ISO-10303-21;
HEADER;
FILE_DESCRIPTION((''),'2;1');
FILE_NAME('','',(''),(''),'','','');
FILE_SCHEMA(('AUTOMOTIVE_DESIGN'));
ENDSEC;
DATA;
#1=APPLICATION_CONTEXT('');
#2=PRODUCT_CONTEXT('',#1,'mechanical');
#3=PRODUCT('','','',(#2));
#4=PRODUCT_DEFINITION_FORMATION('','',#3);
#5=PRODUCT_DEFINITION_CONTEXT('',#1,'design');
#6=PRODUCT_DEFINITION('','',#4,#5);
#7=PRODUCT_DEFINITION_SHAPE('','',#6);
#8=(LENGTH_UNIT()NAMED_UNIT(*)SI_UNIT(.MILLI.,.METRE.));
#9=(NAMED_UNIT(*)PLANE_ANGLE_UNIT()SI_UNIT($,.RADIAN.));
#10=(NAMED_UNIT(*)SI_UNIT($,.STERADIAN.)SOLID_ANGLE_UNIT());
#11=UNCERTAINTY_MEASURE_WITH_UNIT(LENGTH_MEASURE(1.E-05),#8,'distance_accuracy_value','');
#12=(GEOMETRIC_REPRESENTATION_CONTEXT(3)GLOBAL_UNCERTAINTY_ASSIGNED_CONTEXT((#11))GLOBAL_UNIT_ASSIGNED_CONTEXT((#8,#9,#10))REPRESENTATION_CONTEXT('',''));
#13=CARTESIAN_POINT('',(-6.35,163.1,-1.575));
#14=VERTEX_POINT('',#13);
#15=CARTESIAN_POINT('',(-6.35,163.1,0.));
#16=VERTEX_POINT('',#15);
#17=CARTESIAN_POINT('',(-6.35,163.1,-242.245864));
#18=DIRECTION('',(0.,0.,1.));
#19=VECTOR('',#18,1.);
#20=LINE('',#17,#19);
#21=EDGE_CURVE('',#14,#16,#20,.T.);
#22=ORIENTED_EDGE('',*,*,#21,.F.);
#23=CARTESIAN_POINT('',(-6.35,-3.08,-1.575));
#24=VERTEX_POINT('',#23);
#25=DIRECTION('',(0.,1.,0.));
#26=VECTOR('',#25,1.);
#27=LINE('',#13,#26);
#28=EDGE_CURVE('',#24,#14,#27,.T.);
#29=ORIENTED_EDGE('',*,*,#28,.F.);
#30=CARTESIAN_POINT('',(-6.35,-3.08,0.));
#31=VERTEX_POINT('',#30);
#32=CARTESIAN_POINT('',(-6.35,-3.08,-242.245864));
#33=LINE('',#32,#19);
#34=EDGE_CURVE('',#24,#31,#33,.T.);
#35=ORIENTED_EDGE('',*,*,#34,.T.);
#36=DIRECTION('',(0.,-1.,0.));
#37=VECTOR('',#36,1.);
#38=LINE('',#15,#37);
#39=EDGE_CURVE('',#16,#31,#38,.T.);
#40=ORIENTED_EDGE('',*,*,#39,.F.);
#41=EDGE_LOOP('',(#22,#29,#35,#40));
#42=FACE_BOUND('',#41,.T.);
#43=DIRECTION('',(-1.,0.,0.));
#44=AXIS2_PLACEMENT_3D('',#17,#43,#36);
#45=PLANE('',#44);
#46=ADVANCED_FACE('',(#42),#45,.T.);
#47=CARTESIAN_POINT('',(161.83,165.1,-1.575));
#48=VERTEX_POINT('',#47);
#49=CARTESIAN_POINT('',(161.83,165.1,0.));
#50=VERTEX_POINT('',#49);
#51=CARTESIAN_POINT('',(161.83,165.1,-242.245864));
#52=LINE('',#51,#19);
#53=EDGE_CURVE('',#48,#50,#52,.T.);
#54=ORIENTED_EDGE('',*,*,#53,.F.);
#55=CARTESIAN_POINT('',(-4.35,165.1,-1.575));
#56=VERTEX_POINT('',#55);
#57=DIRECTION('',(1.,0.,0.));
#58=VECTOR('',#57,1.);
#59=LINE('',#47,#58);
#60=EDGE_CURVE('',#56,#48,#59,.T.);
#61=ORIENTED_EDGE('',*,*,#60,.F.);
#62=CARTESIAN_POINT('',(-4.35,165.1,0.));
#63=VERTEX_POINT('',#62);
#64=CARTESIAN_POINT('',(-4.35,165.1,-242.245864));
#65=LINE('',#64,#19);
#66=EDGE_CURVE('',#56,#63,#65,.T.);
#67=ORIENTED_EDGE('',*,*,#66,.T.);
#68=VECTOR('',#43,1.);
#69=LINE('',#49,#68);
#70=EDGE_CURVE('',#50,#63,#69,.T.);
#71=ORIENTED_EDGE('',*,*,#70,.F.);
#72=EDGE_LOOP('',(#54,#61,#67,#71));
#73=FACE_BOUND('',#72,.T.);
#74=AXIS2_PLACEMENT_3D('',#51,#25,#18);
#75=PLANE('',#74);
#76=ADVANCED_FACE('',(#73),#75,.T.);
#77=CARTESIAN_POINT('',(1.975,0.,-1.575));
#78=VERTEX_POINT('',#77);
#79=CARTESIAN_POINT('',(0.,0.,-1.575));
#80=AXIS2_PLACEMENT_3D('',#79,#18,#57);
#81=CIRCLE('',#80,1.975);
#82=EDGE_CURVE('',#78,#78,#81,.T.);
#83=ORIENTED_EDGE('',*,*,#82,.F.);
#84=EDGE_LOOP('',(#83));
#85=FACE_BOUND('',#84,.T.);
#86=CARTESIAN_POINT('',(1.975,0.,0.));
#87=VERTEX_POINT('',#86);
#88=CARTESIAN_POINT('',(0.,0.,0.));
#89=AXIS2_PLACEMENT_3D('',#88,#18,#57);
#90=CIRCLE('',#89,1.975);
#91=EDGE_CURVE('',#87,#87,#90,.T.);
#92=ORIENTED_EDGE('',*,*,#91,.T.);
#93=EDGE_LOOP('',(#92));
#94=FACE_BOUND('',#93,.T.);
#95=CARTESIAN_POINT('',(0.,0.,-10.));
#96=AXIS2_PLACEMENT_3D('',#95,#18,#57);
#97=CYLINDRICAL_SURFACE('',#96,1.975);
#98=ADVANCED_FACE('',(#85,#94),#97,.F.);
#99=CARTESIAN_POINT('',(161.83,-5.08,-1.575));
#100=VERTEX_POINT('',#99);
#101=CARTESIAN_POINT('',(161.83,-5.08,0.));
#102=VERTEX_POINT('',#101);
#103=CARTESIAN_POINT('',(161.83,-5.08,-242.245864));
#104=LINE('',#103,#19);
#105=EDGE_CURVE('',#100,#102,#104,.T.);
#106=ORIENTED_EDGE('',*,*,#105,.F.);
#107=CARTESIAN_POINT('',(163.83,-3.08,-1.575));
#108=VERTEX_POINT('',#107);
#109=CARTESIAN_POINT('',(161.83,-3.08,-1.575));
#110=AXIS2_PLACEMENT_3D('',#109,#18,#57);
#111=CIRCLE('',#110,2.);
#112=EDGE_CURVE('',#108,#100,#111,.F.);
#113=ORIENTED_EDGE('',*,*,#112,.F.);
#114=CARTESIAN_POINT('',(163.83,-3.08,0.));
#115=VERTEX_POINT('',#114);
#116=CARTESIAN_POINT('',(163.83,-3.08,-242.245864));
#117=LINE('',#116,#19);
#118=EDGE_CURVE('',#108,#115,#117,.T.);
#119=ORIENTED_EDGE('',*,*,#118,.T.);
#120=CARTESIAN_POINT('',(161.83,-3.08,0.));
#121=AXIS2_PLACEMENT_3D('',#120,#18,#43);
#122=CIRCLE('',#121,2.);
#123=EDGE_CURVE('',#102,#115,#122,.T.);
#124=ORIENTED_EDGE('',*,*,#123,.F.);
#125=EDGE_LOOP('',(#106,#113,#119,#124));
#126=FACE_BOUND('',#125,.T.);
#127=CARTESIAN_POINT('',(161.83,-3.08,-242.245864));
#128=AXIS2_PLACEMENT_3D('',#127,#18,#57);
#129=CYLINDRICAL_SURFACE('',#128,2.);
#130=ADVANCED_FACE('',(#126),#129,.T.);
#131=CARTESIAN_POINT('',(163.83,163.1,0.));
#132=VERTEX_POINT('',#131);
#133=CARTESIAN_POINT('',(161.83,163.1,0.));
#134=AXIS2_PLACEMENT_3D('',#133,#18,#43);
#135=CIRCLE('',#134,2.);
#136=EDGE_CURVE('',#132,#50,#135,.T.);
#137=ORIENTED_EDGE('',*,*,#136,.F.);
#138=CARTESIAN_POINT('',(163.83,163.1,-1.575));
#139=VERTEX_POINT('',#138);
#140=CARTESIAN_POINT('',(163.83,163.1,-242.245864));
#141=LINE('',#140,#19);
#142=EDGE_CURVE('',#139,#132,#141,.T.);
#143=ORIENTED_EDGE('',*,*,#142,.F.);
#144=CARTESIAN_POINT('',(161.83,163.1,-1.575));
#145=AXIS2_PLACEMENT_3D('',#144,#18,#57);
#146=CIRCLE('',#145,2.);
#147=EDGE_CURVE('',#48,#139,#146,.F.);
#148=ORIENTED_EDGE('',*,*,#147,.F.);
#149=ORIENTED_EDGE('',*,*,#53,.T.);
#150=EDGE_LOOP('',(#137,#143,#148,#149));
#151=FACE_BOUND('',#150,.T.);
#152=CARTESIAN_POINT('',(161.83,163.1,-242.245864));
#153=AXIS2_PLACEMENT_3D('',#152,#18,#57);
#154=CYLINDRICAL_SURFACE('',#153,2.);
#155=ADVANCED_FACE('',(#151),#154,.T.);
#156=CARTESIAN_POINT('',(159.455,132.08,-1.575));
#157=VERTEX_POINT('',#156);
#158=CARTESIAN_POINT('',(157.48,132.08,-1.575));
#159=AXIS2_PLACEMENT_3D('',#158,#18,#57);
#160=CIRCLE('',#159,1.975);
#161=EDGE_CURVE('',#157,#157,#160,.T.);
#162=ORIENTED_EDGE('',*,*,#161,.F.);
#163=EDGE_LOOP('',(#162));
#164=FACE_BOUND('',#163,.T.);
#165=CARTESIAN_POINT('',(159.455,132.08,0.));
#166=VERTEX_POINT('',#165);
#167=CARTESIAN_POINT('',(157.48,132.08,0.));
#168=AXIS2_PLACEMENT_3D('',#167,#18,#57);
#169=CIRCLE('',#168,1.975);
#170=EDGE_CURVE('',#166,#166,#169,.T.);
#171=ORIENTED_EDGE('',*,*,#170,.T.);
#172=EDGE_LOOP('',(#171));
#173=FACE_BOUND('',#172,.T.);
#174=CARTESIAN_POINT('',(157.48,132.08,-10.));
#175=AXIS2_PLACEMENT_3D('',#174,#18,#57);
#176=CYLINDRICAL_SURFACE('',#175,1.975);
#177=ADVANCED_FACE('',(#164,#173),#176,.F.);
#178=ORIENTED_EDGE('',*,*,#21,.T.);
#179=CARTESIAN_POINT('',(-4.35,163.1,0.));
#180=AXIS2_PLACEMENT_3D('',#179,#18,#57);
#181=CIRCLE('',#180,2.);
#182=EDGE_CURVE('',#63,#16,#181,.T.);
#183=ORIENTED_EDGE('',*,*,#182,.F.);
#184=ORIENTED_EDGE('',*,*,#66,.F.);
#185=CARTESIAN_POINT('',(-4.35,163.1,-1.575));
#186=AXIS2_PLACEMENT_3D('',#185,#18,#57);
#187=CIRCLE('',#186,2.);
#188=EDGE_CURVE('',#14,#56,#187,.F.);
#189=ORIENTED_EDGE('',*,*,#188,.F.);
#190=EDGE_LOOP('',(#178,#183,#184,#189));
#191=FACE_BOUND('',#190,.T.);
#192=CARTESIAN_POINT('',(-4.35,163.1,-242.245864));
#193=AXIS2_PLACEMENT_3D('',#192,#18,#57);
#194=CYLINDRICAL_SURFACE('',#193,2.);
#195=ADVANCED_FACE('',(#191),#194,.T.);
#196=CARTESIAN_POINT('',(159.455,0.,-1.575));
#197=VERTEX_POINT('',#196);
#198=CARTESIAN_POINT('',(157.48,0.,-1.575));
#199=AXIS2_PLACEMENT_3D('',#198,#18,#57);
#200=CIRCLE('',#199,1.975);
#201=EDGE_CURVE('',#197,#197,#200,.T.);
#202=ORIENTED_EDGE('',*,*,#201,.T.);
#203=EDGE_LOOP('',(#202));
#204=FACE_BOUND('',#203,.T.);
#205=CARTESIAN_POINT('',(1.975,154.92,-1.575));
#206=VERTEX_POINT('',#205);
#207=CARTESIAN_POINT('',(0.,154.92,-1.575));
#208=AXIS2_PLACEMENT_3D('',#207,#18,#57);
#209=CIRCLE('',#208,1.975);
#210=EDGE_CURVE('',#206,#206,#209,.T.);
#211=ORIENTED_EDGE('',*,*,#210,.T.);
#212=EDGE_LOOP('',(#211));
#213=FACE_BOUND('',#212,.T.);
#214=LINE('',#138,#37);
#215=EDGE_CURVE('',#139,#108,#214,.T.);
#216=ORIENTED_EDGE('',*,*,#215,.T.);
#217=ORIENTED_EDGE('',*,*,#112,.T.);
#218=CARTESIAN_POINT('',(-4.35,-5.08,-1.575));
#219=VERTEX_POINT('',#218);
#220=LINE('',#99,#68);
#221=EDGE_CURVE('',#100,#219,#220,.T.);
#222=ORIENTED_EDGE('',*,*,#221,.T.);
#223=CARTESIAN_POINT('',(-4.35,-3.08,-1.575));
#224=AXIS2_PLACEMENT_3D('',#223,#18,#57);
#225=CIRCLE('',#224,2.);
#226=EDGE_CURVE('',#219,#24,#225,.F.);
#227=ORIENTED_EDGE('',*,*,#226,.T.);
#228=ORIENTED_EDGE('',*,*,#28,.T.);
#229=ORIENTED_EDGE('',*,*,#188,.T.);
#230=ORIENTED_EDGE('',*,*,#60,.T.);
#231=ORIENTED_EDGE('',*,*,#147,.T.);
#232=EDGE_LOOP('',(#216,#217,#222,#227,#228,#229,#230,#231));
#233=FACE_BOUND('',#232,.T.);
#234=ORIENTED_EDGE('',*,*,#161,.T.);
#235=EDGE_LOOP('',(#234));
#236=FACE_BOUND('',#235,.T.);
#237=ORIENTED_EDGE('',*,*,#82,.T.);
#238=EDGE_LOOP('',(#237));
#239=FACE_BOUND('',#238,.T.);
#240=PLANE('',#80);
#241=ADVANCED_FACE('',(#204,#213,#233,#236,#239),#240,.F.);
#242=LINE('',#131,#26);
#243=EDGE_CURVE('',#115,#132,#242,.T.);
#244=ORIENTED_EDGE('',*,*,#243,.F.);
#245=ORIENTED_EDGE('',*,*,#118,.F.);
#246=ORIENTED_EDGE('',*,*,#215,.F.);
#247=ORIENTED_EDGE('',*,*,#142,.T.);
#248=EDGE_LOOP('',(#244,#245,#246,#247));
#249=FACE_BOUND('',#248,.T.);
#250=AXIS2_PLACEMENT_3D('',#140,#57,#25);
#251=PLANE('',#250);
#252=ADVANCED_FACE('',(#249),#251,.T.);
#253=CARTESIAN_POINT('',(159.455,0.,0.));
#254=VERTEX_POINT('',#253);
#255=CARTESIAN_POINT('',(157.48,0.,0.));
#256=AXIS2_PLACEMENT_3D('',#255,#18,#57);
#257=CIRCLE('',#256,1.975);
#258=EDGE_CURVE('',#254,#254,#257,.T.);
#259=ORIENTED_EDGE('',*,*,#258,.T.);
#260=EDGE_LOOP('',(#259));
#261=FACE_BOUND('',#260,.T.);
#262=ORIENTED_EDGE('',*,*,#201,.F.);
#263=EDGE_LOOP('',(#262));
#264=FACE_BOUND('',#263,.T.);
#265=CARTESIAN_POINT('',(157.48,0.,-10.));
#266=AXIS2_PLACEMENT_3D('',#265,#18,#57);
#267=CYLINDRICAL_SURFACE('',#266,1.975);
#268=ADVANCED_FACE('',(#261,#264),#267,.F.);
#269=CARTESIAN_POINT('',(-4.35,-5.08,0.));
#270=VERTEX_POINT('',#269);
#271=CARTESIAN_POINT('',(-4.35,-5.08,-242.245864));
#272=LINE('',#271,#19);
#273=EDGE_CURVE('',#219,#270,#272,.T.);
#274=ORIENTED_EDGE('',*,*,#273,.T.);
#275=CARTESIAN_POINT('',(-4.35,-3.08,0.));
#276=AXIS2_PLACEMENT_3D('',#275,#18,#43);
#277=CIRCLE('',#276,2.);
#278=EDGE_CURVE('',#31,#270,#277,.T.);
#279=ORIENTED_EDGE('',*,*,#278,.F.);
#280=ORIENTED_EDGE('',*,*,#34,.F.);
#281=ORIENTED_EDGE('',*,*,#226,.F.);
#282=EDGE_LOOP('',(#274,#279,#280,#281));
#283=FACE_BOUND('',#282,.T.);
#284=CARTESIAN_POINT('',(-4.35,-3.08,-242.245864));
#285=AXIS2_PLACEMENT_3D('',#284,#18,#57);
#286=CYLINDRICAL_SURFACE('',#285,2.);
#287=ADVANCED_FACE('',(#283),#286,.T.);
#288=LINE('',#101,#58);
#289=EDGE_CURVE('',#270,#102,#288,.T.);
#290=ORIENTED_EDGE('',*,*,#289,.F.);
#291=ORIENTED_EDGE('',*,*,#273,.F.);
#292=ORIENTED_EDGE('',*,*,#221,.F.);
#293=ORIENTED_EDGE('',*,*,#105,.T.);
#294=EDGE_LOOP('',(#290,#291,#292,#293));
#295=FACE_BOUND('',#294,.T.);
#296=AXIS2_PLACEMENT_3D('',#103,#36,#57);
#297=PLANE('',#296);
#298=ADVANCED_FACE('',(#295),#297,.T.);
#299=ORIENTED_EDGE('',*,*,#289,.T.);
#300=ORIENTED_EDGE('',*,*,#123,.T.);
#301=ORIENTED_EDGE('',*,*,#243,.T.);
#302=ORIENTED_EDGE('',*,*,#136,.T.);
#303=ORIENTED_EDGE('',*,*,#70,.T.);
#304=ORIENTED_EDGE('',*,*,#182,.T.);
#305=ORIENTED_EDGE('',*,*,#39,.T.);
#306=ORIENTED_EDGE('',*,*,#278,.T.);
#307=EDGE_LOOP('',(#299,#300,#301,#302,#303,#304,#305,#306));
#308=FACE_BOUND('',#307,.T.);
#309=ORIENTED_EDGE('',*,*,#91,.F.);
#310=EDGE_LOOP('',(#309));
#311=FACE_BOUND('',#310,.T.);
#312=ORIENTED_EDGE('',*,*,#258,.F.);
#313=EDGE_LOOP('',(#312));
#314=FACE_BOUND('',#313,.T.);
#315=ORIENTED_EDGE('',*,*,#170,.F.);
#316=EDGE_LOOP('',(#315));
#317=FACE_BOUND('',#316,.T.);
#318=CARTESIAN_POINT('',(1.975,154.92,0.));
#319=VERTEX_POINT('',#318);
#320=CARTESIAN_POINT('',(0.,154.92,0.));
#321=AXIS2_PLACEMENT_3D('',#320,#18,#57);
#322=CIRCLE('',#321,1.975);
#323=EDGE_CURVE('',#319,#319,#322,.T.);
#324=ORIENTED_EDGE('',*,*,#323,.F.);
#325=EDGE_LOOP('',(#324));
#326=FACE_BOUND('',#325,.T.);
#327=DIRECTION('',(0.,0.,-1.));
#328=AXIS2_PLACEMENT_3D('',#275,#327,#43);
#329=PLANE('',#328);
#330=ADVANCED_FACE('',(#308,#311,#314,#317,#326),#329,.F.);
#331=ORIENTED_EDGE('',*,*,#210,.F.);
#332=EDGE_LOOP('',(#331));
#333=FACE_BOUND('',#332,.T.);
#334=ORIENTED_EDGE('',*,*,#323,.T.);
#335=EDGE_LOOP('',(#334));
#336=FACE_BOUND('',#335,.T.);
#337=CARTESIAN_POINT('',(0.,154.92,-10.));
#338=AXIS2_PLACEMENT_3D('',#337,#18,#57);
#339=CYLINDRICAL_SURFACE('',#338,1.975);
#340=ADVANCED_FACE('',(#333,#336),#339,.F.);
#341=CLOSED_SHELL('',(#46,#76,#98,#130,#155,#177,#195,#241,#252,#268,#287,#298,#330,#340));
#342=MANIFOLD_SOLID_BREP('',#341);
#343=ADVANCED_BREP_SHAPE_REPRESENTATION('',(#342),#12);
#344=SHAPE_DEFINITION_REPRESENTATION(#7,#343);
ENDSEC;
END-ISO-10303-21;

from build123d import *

# Parameters (mm, degrees)
SALIENTE_EXTRUIR1_DEPTH = 1.575
CROQUIS2_R              = 1.975
CORTAR_EXTRUIR1_DEPTH   = 10


with BuildPart() as part:
    # Croquis1 → Saliente-Extruir1 (new body)
    with BuildSketch(Plane.XY):
        with BuildLine():
            Line((161.83, 165.1), (-4.35, 165.1))
            ThreePointArc((-4.35, 165.1), (-5.764213562, 164.514213562), (-6.35, 163.1))
            Line((-6.35, 163.1), (-6.35, -3.08))
            ThreePointArc((-6.35, -3.08), (-5.764213562, -4.494213562), (-4.35, -5.08))
            Line((-4.35, -5.08), (161.83, -5.08))
            ThreePointArc((161.83, -5.08), (163.244213562, -4.494213562), (163.83, -3.08))
            Line((163.83, -3.08), (163.83, 163.1))
            ThreePointArc((163.83, 163.1), (163.244213562, 164.514213562), (161.83, 165.1))
        make_face()
    extrude(amount=-SALIENTE_EXTRUIR1_DEPTH)

    # Croquis2 → Cortar-Extruir1 (cut)
    with BuildSketch(Plane.XY):
        Circle(CROQUIS2_R)
        with Locations((157.48, 0)):
            Circle(CROQUIS2_R)
        with Locations((157.48, 132.08)):
            Circle(CROQUIS2_R)
        with Locations((0, 154.919999989)):
            Circle(CROQUIS2_R)
    extrude(amount=-CORTAR_EXTRUIR1_DEPTH, mode=Mode.SUBTRACT)


solid = part.part
